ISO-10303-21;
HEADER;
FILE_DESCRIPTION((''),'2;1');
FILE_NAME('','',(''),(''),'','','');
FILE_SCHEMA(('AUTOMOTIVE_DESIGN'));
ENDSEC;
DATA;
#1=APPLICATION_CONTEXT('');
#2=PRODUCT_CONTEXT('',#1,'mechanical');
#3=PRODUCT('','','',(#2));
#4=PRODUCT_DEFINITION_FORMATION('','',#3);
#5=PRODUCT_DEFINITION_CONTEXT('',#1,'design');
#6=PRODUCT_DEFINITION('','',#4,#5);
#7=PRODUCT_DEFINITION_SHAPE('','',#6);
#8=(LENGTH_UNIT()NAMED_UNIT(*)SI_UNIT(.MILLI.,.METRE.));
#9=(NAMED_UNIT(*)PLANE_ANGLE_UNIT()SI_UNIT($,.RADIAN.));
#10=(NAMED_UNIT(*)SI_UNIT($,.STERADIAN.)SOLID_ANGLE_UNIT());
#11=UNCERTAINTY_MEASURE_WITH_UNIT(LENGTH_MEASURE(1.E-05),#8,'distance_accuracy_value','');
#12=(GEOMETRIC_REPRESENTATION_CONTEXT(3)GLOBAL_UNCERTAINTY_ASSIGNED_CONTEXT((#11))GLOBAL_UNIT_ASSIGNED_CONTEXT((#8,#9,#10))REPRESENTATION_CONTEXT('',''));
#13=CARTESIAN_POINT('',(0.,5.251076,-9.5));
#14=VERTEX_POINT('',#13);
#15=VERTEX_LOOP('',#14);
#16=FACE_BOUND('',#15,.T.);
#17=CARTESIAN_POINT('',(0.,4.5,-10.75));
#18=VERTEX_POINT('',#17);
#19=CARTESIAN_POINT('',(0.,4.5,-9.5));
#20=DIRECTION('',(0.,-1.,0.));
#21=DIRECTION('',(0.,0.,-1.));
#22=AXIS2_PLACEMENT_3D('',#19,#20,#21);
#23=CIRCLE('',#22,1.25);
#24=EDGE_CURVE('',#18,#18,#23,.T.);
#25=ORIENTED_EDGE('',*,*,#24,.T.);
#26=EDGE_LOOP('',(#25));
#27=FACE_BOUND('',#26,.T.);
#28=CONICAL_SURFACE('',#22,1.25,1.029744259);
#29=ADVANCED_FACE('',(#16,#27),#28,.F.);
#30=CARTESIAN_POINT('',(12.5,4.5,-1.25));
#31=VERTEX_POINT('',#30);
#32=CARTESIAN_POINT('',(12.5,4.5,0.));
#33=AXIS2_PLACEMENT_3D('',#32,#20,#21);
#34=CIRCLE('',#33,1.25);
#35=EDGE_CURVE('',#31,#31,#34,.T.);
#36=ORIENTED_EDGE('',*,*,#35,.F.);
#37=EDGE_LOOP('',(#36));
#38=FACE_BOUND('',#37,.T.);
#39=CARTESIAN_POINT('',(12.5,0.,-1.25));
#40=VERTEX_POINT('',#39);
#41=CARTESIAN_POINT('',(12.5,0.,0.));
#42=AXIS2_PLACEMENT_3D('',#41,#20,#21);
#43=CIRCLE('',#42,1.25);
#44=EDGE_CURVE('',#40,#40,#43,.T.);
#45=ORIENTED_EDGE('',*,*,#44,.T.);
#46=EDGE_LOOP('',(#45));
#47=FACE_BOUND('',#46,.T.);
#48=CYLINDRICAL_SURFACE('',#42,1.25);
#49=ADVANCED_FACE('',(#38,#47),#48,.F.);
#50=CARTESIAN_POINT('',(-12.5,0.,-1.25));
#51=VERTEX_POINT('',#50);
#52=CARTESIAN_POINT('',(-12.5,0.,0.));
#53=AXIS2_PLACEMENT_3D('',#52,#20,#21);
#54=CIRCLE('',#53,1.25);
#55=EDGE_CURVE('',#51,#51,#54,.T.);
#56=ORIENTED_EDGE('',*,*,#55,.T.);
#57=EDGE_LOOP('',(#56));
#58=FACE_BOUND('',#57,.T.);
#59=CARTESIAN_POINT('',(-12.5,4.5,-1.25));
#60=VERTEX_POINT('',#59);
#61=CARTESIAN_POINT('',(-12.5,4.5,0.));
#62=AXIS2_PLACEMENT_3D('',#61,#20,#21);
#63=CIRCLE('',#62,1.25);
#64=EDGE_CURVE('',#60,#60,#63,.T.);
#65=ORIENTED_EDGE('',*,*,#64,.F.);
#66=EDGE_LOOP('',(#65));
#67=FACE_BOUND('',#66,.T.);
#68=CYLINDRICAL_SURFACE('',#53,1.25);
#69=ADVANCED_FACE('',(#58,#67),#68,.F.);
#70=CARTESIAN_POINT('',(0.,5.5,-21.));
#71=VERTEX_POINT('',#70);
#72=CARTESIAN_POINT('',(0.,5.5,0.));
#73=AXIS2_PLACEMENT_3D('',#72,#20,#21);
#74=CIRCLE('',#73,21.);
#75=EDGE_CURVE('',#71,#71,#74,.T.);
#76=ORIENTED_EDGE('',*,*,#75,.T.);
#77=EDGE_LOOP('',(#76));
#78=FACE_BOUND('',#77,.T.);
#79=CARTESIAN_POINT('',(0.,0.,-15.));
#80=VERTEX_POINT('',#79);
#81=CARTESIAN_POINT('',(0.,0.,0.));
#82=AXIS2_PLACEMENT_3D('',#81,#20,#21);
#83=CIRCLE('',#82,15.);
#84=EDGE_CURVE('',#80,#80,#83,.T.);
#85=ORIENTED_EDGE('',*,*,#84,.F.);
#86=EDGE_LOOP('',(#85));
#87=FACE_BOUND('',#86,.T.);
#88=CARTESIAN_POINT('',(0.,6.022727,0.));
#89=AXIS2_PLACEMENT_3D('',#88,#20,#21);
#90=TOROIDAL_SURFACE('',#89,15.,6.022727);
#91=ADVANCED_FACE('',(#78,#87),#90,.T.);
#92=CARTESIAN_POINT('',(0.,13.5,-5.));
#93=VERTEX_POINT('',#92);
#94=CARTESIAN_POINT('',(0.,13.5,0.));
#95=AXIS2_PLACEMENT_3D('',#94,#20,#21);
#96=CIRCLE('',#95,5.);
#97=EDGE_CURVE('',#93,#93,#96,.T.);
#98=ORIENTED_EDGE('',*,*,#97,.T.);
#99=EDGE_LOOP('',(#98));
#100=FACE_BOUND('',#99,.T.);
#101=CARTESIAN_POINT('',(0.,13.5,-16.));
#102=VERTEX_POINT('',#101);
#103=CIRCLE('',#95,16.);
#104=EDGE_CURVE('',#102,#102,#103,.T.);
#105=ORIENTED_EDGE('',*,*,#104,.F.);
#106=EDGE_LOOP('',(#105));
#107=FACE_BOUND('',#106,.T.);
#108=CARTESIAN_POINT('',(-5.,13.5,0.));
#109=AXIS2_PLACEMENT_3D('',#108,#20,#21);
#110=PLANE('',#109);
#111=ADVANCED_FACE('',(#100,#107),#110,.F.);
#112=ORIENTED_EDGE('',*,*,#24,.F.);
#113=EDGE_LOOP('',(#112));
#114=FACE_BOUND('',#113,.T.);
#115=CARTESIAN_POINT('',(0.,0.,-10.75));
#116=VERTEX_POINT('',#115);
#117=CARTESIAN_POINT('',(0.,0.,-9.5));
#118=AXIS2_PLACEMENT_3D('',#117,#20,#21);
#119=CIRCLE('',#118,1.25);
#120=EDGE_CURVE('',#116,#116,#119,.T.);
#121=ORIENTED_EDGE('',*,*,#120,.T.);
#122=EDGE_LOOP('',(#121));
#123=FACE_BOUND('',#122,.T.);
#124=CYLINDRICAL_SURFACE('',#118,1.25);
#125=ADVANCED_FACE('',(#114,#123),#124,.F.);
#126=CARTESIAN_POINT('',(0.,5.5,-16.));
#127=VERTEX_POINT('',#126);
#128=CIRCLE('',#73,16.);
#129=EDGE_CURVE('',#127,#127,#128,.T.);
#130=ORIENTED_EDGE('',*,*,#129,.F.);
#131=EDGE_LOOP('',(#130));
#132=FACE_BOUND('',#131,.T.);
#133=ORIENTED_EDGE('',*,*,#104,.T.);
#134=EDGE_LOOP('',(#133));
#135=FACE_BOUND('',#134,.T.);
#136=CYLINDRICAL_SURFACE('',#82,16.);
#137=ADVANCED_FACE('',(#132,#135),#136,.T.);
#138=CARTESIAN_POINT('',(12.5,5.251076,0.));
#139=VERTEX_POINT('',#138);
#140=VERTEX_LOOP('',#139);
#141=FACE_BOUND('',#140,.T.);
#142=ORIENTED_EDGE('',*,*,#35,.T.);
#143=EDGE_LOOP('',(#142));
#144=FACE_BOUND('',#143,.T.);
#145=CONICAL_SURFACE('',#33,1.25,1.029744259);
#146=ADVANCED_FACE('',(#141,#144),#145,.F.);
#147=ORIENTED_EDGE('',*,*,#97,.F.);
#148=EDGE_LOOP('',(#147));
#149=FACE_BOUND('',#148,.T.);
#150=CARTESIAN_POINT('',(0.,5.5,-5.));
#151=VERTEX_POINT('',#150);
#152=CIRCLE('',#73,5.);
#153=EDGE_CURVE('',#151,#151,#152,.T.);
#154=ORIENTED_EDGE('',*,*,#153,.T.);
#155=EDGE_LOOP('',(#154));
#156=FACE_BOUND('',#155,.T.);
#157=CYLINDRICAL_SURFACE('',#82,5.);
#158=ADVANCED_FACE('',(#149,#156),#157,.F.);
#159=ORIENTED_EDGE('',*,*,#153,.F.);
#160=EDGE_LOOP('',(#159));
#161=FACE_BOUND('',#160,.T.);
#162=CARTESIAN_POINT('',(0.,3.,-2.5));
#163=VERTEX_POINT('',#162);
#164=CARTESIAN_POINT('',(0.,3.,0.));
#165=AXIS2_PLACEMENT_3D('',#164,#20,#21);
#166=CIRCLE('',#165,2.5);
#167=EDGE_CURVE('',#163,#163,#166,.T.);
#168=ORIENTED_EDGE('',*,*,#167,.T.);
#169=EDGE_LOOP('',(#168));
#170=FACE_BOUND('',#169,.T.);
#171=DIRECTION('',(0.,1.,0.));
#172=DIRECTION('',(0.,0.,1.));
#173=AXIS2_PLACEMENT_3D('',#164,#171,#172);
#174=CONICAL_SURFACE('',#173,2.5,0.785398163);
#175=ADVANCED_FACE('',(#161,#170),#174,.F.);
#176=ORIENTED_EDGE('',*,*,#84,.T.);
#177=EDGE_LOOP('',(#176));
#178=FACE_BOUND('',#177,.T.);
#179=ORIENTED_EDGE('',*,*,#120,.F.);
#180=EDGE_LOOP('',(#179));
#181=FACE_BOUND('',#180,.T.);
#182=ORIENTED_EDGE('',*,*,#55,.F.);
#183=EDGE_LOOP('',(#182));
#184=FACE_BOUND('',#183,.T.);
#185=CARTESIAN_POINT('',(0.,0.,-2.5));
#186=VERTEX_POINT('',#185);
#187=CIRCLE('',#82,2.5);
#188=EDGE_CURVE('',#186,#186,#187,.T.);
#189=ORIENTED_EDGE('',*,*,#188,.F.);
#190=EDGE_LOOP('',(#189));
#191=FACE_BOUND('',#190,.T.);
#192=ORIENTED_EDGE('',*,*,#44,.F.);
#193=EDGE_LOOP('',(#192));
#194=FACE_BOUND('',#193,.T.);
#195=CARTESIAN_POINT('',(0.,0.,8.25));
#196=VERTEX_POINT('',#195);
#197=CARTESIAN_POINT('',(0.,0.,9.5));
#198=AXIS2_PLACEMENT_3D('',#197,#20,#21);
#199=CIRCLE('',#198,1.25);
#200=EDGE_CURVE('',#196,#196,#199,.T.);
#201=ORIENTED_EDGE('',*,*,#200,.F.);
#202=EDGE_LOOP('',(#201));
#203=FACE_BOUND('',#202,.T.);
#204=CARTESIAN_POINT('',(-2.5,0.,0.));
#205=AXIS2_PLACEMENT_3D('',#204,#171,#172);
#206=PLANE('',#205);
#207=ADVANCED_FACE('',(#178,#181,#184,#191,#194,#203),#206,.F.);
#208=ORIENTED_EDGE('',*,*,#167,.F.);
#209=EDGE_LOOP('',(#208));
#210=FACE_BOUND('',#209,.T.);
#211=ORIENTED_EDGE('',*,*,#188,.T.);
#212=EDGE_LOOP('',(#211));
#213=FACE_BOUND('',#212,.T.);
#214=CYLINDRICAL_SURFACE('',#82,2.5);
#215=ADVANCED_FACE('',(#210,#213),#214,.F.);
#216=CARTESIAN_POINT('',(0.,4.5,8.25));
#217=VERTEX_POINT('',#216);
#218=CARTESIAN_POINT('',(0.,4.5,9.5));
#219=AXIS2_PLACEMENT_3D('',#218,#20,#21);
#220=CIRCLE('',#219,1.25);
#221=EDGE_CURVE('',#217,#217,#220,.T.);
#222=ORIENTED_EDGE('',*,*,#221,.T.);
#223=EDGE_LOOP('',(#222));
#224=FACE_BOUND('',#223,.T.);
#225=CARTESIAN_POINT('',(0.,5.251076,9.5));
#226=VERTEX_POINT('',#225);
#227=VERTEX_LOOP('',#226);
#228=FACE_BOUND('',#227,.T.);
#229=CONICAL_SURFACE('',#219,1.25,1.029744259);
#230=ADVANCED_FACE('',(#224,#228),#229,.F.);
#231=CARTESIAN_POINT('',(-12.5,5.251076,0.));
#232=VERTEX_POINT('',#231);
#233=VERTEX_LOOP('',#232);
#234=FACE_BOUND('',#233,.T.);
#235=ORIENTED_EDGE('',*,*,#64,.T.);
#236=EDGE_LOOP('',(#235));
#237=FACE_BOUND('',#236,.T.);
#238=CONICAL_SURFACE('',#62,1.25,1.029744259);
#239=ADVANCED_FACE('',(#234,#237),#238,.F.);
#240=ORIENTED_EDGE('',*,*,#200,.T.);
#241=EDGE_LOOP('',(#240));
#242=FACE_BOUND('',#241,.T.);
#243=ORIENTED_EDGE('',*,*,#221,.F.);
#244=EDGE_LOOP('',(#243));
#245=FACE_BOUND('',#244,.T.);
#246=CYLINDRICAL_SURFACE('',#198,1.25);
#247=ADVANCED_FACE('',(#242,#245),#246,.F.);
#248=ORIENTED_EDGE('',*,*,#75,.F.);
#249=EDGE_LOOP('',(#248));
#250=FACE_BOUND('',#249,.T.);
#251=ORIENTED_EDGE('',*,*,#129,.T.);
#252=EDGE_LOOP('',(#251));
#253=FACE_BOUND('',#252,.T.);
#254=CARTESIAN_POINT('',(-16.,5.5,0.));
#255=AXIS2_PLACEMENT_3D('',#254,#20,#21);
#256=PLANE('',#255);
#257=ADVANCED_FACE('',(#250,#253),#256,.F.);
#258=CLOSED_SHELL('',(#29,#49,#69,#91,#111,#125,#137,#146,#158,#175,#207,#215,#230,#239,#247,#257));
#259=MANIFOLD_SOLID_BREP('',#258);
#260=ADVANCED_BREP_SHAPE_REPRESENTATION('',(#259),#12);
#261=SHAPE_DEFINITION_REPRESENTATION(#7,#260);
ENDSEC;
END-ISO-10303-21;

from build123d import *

# Parameters (mm, degrees)
M3X0_5_TAPPED_HOLE1_D     = 2.5
M3X0_5_TAPPED_HOLE1_DEPTH = 4.5
M3X0_5_TAPPED_HOLE1_TIP   = 0.751075774


with BuildPart() as part:
    # Sketch1 → Revolve1 (revolve)
    with BuildSketch(Plane.XY, mode=Mode.PRIVATE) as revolve1_sk:
        with BuildLine():
            Line((-2.5, 0), (-15, 0))
            ThreePointArc((-15, 0), (-19.069705149, 1.583048928), (-21, 5.5))
            Line((-21, 5.5), (-16, 5.5))
            Line((-16, 5.5), (-16, 13.5))
            Line((-16, 13.5), (-5, 13.5))
            Line((-5, 13.5), (-5, 5.5))
            Line((-5, 5.5), (-2.5, 3))
            Line((-2.5, 3), (-2.5, 0))
        make_face()
    revolve(revolve1_sk.sketch.rotate(Axis((0, 0, 0), (0, 1, 0)), 270), axis=Axis((0, 0, 0), (0, 1, 0)))

    # M3x0.5 Tapped Hole1
    with Locations(Plane(origin=(0, 0, 0), x_dir=(-1, 0, 0), z_dir=(0, -1, 0))):
        with Locations((12.5, 0), (0, 9.5), (-12.5, 0), (0, -9.5)):
            Hole(M3X0_5_TAPPED_HOLE1_D / 2, depth=M3X0_5_TAPPED_HOLE1_DEPTH)
            with Locations((0, 0, -(M3X0_5_TAPPED_HOLE1_DEPTH + M3X0_5_TAPPED_HOLE1_TIP / 2))):  # 118° drill point
                Cone(0, M3X0_5_TAPPED_HOLE1_D / 2, M3X0_5_TAPPED_HOLE1_TIP, mode=Mode.SUBTRACT)


solid = part.part
